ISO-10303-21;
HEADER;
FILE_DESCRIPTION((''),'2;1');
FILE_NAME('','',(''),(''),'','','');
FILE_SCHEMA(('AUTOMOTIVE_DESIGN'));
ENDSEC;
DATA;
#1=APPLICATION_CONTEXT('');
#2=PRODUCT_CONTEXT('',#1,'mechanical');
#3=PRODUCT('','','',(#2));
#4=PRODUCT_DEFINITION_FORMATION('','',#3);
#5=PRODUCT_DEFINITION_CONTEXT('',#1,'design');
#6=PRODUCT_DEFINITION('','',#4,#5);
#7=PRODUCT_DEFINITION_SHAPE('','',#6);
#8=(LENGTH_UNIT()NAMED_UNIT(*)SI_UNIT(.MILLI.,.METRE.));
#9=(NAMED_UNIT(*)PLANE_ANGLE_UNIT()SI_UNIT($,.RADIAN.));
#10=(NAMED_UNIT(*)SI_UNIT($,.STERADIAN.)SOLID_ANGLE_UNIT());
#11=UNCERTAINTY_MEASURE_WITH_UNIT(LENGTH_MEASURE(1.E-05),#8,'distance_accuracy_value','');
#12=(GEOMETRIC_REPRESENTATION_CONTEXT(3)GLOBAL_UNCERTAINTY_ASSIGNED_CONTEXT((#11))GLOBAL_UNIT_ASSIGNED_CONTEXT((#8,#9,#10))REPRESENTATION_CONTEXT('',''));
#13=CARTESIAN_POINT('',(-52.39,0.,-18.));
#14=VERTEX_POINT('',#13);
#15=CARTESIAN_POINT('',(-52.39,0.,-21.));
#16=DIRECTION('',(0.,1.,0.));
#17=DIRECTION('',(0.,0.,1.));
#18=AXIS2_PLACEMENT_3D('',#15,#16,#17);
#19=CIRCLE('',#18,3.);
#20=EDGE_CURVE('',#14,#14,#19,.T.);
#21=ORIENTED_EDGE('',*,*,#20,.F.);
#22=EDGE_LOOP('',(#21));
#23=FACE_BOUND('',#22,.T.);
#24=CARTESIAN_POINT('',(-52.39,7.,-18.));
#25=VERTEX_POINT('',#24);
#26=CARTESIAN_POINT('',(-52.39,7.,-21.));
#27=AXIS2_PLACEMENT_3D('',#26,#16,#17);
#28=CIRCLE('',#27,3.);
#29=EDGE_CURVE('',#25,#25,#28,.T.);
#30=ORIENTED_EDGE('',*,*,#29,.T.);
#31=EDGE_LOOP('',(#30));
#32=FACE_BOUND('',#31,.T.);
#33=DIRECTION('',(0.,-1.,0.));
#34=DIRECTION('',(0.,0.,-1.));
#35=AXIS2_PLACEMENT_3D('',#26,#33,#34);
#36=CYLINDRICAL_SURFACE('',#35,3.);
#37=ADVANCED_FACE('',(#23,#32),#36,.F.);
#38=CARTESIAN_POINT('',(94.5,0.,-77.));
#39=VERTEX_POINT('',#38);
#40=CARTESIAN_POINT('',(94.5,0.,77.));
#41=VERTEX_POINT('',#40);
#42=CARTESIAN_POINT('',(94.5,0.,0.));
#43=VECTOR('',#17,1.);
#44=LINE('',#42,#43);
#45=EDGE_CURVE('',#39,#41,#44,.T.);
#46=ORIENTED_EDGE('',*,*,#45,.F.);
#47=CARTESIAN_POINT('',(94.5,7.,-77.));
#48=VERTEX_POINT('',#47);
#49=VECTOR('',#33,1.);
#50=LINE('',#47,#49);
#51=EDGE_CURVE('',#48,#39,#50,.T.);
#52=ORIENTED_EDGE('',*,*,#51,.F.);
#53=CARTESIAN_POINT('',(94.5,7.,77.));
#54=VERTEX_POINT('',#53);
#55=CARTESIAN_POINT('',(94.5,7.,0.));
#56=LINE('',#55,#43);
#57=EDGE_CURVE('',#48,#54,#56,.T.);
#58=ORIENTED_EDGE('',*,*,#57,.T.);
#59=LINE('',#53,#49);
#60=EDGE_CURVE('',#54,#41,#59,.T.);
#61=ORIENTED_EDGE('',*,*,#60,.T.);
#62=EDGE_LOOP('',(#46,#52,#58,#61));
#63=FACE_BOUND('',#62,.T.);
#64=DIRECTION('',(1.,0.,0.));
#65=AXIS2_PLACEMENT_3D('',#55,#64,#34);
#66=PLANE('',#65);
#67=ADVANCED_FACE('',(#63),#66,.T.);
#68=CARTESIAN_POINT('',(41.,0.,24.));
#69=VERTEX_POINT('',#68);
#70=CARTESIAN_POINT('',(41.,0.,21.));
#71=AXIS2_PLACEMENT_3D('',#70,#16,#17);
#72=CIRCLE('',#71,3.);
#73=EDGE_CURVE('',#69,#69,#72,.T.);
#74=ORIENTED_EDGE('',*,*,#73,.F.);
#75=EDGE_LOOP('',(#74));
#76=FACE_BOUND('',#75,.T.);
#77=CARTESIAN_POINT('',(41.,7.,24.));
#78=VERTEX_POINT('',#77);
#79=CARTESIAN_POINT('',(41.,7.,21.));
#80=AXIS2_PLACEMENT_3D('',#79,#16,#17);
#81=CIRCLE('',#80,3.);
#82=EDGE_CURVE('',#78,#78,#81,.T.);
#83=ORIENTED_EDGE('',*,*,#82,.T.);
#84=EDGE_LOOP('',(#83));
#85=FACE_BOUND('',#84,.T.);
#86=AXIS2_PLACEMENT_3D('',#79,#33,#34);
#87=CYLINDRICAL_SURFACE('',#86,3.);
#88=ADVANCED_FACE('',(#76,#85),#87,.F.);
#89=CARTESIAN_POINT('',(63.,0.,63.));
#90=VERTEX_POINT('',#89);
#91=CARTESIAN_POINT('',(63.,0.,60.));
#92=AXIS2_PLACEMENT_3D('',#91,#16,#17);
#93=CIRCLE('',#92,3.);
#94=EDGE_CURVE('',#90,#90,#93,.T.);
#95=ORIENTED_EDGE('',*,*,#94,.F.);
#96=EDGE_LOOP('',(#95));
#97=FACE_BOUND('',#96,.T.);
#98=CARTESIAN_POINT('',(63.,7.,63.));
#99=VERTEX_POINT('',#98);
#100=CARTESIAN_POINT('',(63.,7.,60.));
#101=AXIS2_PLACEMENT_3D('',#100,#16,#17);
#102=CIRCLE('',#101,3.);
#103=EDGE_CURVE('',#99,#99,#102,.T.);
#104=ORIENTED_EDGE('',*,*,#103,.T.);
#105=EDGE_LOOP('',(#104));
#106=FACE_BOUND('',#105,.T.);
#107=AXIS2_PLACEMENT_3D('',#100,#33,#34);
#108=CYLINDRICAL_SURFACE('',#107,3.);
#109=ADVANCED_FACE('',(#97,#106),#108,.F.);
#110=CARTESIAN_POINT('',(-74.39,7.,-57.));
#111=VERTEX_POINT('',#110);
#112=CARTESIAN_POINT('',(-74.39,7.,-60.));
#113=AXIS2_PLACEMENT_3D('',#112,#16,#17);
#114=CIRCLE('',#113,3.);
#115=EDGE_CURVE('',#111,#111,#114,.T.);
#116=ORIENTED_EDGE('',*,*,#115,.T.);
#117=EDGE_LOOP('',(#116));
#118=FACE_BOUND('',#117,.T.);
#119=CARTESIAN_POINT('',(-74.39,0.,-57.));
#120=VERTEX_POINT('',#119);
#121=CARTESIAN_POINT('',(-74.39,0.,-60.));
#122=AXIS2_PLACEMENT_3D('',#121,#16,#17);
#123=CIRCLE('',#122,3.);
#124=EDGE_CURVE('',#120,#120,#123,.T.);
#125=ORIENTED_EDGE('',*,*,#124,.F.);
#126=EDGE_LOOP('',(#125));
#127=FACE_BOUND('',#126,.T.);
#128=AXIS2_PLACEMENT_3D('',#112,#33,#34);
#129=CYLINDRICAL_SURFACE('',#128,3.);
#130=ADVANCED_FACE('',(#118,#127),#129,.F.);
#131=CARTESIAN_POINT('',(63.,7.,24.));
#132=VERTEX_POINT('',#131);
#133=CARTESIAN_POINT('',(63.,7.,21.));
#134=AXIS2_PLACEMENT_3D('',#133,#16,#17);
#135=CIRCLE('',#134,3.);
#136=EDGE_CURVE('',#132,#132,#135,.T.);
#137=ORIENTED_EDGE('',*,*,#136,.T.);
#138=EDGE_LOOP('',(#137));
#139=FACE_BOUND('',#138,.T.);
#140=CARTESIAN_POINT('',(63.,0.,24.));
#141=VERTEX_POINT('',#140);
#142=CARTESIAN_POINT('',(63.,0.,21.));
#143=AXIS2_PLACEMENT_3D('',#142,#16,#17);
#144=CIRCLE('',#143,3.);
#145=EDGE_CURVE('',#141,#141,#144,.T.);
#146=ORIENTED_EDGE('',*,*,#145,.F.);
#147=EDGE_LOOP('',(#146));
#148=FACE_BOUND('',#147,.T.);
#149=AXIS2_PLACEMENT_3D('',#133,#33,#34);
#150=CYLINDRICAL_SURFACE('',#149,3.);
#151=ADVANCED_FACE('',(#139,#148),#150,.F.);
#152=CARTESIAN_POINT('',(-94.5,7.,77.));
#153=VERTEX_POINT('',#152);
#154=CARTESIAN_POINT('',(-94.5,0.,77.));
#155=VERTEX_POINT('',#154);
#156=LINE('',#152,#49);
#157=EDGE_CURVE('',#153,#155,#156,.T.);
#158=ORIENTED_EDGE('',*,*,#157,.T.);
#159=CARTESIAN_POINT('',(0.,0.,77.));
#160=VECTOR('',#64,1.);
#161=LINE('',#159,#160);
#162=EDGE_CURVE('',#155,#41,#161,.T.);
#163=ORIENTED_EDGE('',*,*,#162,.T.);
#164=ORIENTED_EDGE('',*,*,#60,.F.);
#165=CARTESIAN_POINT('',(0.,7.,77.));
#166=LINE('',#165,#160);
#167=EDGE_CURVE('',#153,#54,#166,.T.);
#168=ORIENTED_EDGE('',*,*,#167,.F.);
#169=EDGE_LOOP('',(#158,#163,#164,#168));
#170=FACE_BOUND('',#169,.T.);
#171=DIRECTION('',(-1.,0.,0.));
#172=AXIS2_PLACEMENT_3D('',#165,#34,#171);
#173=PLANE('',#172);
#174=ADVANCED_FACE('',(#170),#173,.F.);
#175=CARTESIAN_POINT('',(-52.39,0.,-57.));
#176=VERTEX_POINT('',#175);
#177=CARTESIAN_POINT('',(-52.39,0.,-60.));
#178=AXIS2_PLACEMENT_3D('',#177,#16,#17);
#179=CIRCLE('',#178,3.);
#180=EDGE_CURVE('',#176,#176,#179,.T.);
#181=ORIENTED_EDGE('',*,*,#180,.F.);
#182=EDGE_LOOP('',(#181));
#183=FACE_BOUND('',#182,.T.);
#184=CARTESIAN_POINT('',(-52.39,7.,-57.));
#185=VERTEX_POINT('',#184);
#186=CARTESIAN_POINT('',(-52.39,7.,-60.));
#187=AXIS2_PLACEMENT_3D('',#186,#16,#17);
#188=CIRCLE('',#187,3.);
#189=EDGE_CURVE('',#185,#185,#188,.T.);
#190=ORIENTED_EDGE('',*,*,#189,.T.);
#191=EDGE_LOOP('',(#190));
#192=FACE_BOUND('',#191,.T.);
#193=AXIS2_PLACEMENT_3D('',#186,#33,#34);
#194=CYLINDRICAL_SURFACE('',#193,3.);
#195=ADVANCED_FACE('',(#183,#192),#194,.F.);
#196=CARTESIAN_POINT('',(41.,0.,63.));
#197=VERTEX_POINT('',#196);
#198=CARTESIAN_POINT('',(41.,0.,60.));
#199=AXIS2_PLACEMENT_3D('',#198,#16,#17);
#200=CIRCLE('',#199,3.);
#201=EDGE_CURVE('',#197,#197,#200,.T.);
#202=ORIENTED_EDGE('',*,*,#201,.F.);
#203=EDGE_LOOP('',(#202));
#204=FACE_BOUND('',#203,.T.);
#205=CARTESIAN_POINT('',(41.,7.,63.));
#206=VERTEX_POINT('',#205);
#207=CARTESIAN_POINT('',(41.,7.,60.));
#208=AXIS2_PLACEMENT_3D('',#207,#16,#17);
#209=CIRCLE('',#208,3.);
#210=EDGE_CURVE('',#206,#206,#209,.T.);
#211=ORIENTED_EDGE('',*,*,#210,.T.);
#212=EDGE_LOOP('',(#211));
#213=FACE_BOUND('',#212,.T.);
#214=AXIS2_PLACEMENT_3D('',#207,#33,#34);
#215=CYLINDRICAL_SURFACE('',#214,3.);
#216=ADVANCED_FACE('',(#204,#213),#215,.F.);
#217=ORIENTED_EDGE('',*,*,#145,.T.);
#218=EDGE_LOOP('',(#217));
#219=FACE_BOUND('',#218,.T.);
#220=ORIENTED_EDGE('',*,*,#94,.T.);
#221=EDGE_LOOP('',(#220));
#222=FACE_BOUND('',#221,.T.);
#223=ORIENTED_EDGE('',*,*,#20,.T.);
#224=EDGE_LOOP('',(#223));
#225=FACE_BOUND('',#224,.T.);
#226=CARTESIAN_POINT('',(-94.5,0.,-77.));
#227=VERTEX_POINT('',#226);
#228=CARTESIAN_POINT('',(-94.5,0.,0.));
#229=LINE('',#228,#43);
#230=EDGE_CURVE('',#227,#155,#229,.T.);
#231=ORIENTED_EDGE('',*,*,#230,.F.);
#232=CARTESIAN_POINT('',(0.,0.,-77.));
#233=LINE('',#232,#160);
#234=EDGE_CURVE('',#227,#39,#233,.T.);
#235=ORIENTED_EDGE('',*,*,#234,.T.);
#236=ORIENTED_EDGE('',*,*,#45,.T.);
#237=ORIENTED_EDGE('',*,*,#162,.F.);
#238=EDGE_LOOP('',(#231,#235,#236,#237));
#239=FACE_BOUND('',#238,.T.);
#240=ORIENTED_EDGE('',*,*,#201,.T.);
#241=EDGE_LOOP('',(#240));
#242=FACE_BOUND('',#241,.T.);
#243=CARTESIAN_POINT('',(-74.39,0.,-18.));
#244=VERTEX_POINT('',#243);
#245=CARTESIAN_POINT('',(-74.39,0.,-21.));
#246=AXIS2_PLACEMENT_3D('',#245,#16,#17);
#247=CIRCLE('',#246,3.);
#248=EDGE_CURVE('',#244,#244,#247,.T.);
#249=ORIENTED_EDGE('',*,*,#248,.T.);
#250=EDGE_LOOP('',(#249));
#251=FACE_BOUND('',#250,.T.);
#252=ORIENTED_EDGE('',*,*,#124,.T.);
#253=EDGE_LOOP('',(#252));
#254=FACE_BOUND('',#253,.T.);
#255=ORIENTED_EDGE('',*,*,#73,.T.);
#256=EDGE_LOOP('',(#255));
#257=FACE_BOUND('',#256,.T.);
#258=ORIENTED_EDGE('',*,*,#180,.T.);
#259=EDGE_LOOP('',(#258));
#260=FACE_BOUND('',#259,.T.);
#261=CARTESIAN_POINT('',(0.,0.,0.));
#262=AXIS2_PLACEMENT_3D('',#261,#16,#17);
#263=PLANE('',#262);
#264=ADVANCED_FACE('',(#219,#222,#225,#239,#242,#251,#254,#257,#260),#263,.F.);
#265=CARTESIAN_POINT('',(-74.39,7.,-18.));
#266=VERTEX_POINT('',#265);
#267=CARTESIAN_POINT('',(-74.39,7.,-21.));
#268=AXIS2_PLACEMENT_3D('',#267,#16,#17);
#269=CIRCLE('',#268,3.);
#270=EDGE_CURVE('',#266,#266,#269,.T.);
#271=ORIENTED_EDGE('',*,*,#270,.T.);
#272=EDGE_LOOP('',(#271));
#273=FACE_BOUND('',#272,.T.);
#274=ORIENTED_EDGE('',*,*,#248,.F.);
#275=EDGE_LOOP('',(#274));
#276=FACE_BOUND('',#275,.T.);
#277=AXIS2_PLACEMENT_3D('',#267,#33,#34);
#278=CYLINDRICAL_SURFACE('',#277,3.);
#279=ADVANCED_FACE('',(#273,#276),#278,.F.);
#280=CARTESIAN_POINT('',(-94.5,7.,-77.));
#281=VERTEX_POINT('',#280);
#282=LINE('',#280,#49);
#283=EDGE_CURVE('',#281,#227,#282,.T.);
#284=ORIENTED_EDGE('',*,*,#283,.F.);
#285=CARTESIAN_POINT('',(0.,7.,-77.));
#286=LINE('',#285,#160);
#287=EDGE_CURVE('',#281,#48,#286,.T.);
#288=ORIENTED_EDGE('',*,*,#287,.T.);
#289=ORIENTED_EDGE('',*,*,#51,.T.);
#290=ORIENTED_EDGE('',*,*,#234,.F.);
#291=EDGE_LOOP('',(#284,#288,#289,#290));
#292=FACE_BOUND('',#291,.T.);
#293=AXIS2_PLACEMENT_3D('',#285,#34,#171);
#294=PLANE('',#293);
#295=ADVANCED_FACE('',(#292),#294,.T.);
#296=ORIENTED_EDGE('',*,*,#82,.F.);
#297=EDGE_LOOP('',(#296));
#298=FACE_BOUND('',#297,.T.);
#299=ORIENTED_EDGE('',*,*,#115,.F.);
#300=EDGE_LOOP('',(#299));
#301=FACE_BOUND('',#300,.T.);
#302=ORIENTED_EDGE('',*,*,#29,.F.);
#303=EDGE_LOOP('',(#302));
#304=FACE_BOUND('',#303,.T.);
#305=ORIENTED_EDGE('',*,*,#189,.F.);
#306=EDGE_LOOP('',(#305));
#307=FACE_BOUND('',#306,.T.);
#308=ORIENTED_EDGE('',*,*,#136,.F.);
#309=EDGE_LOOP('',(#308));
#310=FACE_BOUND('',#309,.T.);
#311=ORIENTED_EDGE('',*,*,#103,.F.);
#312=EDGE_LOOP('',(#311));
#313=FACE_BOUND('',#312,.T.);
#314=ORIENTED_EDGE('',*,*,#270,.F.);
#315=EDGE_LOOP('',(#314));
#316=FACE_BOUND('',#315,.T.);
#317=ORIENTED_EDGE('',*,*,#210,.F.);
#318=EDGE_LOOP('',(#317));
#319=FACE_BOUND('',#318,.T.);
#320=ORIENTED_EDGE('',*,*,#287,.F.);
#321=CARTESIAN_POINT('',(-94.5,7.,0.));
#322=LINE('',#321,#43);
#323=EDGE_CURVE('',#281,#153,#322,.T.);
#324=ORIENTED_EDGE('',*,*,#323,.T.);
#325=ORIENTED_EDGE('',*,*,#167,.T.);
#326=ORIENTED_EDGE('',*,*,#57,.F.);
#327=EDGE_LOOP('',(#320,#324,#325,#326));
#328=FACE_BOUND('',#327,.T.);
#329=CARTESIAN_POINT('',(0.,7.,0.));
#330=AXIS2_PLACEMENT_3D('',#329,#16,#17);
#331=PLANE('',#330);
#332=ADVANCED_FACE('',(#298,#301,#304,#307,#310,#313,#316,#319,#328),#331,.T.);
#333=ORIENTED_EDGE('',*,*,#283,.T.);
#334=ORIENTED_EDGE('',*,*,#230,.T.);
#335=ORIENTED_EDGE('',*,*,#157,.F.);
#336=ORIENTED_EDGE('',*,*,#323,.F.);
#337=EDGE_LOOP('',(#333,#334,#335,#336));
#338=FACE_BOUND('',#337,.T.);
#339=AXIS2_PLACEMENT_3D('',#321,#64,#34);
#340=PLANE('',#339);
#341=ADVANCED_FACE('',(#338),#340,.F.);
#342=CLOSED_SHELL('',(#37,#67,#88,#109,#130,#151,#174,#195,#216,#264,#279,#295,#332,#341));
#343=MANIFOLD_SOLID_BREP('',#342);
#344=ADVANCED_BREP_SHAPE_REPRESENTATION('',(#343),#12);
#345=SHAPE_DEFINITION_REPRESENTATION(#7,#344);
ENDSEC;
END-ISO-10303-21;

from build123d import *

# Parameters (mm, degrees)
SKETCH1_R           = 3
BOSS_EXTRUDE1_DEPTH = 7


with BuildPart() as part:
    # Sketch1 → Boss-Extrude1 (new body)
    with BuildSketch(Plane(origin=(0, 0, 0), x_dir=(1, 0, 0), z_dir=(0, 1, 0))):
        Polygon((30, -77), (94.5, -77), (94.5, 77), (-85.39, 77), (-94.5, 77), (-94.5, -77), align=None)
        with Locations(Location((41, -60, 0), (0, 0, 270))):
            Circle(SKETCH1_R, mode=Mode.SUBTRACT)
        with Locations(Location((63, -60, 0), (0, 0, 270))):
            Circle(SKETCH1_R, mode=Mode.SUBTRACT)
        with Locations(Location((41, -21, 0), (0, 0, 270))):
            Circle(SKETCH1_R, mode=Mode.SUBTRACT)
        with Locations(Location((63, -21, 0), (0, 0, 270))):
            Circle(SKETCH1_R, mode=Mode.SUBTRACT)
        with Locations(Location((-74.39, 21, 0), (0, 0, 270))):
            Circle(SKETCH1_R, mode=Mode.SUBTRACT)
        with Locations(Location((-52.39, 21, 0), (0, 0, 270))):
            Circle(SKETCH1_R, mode=Mode.SUBTRACT)
        with Locations(Location((-74.39, 60, 0), (0, 0, 270))):
            Circle(SKETCH1_R, mode=Mode.SUBTRACT)
        with Locations(Location((-52.39, 60, 0), (0, 0, 270))):
            Circle(SKETCH1_R, mode=Mode.SUBTRACT)
    extrude(amount=BOSS_EXTRUDE1_DEPTH)


solid = part.part
